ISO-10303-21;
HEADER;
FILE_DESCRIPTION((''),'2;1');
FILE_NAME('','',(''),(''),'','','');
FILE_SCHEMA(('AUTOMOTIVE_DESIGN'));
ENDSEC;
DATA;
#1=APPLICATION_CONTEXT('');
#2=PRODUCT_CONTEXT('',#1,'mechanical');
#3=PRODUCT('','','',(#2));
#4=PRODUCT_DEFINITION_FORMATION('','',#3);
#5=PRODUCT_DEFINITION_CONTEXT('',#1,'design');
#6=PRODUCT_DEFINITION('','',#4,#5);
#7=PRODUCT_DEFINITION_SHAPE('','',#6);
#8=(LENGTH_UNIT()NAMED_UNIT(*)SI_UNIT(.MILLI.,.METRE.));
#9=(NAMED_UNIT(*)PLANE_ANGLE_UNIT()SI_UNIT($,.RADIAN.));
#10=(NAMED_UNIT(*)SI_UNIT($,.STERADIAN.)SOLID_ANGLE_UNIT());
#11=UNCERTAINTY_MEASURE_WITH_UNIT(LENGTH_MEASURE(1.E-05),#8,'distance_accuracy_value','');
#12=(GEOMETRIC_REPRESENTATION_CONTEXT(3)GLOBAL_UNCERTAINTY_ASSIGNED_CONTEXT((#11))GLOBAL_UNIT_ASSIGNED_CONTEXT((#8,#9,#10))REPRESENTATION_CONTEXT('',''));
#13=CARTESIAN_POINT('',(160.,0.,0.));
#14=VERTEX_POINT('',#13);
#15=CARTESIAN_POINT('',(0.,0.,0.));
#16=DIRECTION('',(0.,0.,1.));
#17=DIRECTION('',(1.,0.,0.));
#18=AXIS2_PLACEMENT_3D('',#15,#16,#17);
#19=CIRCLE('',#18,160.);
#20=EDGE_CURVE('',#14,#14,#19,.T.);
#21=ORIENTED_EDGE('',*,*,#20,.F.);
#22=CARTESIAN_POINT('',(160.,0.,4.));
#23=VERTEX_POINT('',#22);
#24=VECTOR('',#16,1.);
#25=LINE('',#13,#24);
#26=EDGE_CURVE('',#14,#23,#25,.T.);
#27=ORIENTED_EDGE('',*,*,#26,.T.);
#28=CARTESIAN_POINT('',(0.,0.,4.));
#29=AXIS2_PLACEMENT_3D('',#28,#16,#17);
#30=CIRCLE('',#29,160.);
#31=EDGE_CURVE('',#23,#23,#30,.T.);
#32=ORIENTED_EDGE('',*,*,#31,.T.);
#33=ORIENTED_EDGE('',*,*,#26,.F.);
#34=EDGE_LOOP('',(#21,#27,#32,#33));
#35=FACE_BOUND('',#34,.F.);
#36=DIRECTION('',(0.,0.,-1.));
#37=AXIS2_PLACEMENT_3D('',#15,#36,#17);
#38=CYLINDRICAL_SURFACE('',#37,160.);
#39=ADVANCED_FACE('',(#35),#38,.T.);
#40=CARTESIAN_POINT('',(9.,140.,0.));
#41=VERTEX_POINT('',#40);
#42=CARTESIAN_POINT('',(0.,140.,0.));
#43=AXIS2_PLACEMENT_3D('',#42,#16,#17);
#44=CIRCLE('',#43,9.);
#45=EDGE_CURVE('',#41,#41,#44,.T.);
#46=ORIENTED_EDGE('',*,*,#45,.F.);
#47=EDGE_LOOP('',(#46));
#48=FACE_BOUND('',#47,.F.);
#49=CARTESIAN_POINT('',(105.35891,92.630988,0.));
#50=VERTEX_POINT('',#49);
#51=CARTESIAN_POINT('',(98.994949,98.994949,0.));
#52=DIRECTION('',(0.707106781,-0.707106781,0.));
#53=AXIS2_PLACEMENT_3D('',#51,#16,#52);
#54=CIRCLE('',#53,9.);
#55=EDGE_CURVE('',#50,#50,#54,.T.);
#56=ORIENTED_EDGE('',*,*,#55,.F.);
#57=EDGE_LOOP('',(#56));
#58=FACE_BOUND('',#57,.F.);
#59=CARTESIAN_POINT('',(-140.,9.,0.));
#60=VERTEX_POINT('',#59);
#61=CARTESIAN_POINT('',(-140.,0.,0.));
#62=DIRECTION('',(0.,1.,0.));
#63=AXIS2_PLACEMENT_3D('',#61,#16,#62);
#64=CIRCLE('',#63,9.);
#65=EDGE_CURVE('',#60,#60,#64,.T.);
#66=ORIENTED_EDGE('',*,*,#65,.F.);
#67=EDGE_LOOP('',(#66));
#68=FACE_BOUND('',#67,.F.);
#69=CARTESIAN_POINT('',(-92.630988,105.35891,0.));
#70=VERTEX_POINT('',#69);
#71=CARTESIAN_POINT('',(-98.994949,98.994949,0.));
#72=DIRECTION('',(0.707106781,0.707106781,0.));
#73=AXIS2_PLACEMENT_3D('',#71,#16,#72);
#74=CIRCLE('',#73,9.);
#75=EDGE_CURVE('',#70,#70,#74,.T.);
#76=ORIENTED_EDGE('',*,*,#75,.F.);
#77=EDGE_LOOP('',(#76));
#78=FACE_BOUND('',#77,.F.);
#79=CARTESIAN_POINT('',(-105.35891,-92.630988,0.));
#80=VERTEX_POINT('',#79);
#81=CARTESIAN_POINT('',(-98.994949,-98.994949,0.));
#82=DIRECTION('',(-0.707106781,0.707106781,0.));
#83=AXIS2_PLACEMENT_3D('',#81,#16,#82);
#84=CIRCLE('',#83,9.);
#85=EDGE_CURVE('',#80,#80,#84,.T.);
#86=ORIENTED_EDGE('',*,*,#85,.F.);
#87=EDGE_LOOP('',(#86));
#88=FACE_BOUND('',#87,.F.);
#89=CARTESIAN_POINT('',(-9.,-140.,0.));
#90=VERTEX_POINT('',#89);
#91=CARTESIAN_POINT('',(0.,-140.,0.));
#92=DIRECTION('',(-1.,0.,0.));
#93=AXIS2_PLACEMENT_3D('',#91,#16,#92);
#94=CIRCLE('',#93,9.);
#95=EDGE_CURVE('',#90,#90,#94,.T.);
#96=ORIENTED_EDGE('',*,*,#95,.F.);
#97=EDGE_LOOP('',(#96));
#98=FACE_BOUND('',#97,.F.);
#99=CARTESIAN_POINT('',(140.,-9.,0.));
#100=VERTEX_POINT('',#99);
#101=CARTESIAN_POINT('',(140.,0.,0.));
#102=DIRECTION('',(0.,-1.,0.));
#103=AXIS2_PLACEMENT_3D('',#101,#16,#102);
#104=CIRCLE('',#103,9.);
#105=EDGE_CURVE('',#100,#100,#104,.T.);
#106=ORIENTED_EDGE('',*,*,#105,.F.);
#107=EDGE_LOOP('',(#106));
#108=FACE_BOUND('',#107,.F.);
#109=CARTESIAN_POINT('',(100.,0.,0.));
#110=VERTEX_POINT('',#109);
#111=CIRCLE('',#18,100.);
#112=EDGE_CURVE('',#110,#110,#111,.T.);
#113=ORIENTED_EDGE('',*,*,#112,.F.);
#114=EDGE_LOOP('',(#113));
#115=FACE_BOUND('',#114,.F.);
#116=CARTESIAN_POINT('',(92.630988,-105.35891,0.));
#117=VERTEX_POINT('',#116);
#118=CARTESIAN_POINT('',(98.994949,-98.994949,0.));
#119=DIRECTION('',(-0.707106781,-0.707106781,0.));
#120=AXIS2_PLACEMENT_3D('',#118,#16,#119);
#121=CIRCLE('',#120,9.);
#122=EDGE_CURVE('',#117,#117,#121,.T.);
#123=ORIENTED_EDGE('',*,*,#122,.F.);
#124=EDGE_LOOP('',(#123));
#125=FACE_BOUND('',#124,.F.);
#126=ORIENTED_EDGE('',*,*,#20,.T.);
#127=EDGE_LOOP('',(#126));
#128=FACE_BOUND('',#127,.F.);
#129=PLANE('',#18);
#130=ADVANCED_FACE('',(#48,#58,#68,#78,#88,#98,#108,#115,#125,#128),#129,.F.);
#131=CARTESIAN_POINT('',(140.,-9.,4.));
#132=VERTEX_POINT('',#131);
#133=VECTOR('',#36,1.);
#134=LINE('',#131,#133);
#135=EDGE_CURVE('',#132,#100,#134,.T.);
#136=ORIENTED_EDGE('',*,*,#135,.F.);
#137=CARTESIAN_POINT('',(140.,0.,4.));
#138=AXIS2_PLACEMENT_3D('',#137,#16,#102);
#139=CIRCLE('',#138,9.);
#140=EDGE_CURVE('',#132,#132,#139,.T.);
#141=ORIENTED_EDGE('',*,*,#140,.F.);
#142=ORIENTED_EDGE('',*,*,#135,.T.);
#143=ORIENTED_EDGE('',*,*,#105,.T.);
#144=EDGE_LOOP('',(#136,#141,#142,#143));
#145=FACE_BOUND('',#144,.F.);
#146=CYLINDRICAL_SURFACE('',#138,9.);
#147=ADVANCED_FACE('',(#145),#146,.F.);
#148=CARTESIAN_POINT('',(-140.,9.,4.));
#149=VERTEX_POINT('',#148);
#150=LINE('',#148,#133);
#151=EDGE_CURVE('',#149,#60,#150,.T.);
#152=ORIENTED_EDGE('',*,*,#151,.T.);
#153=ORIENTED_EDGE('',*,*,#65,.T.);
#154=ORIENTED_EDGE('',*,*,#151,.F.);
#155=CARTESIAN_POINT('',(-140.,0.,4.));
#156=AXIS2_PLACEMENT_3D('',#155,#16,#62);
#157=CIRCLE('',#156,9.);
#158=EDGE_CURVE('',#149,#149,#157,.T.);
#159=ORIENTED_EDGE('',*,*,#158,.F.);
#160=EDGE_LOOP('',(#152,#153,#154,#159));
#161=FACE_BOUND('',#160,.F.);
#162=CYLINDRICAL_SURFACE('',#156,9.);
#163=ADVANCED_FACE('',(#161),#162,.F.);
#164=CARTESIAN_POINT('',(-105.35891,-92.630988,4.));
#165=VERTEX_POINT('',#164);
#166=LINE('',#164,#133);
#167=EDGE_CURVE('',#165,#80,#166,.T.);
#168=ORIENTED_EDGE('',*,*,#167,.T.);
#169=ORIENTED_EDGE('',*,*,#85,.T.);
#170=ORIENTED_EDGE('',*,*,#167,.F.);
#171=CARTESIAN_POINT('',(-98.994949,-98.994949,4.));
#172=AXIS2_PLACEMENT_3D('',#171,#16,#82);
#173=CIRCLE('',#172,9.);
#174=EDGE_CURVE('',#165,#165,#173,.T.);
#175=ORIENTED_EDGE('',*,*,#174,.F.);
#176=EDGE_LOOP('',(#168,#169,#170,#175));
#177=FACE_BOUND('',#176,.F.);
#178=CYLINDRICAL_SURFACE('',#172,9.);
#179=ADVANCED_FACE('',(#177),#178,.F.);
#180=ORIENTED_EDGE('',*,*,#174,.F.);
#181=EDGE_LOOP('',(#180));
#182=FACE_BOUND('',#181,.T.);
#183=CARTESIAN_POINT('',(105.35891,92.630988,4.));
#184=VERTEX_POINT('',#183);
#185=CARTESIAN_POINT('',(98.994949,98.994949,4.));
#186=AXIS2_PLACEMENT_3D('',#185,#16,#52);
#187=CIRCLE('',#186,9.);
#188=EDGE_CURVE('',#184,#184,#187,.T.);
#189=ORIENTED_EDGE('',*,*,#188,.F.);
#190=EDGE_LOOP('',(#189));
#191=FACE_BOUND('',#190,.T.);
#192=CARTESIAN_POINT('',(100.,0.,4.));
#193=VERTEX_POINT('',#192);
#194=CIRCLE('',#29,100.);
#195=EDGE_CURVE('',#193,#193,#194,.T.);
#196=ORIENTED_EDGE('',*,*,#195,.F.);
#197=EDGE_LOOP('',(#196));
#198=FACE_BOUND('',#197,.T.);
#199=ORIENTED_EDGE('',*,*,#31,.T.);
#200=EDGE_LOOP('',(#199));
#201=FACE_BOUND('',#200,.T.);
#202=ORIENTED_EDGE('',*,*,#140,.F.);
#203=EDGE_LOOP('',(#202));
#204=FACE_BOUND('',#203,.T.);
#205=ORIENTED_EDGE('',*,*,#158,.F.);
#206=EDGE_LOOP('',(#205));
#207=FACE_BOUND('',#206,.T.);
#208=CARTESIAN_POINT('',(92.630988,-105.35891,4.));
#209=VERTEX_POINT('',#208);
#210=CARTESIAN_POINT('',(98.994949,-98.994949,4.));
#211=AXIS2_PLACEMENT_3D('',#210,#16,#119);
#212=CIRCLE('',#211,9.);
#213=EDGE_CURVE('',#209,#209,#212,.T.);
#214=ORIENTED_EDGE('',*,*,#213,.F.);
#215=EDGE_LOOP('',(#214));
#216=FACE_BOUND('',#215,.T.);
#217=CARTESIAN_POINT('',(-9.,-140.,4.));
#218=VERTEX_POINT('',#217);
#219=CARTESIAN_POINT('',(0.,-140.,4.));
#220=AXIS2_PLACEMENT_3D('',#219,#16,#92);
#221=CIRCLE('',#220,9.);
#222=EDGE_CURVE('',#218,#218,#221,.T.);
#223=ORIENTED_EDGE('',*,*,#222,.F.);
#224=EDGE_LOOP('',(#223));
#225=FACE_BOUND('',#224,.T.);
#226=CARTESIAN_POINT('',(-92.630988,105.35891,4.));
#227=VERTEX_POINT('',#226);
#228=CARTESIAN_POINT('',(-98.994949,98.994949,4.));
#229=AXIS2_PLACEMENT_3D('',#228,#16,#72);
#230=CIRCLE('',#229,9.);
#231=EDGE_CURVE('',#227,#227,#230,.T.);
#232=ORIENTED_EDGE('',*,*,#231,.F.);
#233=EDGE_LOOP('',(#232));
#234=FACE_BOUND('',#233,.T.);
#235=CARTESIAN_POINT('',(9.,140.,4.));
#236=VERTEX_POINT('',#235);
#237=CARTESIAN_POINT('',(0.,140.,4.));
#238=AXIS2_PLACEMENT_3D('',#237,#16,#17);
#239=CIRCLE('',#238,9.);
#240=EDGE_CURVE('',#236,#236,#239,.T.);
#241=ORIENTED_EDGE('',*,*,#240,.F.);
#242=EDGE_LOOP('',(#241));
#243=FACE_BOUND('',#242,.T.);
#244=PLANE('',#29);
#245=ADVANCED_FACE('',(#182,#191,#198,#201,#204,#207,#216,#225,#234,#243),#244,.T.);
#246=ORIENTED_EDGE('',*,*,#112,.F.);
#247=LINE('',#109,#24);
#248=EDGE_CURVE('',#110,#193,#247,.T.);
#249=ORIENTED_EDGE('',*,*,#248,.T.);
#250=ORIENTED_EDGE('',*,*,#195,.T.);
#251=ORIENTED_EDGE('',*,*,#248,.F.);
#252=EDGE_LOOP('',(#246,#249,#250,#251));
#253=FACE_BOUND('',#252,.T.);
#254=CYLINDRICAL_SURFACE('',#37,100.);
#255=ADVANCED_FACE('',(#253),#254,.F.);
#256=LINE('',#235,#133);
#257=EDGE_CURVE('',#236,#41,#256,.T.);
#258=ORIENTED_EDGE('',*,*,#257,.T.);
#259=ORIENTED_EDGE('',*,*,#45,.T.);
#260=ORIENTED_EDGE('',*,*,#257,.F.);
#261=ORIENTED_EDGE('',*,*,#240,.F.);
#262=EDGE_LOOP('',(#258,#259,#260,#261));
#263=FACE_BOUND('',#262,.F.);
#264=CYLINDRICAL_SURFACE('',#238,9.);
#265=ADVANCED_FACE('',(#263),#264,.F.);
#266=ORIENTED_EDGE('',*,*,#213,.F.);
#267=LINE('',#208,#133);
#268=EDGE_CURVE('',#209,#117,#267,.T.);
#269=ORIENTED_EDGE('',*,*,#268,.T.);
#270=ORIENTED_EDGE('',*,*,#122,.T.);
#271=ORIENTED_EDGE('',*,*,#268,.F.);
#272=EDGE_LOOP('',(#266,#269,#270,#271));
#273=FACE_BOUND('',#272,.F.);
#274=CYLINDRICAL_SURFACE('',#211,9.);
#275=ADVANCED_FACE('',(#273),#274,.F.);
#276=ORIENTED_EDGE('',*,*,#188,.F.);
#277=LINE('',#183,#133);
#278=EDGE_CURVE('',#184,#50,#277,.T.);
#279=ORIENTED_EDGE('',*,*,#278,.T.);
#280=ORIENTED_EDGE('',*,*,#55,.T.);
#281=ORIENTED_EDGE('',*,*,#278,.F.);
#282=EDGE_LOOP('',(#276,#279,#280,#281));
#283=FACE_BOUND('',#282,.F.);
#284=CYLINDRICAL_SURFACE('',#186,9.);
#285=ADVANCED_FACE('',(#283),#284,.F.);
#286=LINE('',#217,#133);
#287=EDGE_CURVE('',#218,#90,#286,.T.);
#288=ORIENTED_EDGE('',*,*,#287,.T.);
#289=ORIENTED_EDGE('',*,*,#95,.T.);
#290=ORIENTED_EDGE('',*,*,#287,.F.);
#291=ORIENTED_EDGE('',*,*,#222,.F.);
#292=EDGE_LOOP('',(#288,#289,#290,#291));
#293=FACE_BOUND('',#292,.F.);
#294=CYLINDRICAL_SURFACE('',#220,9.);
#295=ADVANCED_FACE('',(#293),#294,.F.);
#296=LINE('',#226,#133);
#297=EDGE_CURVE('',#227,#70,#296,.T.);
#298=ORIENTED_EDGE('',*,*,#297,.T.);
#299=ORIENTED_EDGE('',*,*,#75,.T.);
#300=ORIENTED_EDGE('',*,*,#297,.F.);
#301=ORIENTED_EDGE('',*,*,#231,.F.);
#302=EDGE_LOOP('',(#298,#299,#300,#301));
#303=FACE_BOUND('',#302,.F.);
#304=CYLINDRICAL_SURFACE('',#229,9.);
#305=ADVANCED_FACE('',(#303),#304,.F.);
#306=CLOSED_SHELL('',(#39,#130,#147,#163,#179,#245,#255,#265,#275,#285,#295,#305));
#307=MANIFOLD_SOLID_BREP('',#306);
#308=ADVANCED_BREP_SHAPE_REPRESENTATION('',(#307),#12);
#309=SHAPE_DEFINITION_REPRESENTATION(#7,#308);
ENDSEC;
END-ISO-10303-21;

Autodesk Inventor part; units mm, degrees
ref_plane "YZ Plane" through (0, 0, 0) normal (1, 0, 0) x (0, 1, 0)
ref_plane "XZ Plane" through (0, 0, 0) normal (0, 1, 0) x (-1, 0, 0)
ref_plane "XY Plane" through (0, 0, 0) normal (0, 0, 1) x (1, 0, 0)
sketch "Sketch1" plane through (0, 0, 0) normal (0, 0, 1) x (1, 0, 0)
  circle A0 centre (0, 0) radius 100
  circle A1 centre (0, 0) radius 160
  dimension "d22" = 200
  dimension "d23" = 320
extrude "Plate1" add sketch "Sketch1" along normal blind 4
sketch "Sketch5" plane through (0, 0, 4) normal (0, 0, 1) x (1, 0, 0)
  circle A0 centre (0, 0) radius 140 construction
  circle A1 centre (0, 140) radius 9
  dimension "d32" = 280
  dimension "d31" = 18
extrude "Cut1" cut sketch "Sketch5" against normal blind 4
pattern_circular "Circular Pattern1" count 8 over 360 about axis through (0, 0, 0) along (0, 0, 1) of "Cut1"
equation "\"d26\" = Thickness"
equation "\"d2\" = Thickness"
equation "\"BendReliefWidth\" = Thickness"
equation "\"BendReliefDepth\" = 0.5 * Thickness"
equation "\"CornerReliefSize\" = 4 * Thickness"
equation "\"MinimumRemnant\" = 2 * Thickness"
equation "\"TransitionRadius\" = BendRadius"
equation "\"JacobiRadiusSize\" = BendRadius"
equation "\"GapSize\" = Thickness"
equation "\"Thickness\" = 4"
equation "\"BendRadius\" = 5"
properties part number "TKS 3108 top DS double flange" material "Stainless Steel"
